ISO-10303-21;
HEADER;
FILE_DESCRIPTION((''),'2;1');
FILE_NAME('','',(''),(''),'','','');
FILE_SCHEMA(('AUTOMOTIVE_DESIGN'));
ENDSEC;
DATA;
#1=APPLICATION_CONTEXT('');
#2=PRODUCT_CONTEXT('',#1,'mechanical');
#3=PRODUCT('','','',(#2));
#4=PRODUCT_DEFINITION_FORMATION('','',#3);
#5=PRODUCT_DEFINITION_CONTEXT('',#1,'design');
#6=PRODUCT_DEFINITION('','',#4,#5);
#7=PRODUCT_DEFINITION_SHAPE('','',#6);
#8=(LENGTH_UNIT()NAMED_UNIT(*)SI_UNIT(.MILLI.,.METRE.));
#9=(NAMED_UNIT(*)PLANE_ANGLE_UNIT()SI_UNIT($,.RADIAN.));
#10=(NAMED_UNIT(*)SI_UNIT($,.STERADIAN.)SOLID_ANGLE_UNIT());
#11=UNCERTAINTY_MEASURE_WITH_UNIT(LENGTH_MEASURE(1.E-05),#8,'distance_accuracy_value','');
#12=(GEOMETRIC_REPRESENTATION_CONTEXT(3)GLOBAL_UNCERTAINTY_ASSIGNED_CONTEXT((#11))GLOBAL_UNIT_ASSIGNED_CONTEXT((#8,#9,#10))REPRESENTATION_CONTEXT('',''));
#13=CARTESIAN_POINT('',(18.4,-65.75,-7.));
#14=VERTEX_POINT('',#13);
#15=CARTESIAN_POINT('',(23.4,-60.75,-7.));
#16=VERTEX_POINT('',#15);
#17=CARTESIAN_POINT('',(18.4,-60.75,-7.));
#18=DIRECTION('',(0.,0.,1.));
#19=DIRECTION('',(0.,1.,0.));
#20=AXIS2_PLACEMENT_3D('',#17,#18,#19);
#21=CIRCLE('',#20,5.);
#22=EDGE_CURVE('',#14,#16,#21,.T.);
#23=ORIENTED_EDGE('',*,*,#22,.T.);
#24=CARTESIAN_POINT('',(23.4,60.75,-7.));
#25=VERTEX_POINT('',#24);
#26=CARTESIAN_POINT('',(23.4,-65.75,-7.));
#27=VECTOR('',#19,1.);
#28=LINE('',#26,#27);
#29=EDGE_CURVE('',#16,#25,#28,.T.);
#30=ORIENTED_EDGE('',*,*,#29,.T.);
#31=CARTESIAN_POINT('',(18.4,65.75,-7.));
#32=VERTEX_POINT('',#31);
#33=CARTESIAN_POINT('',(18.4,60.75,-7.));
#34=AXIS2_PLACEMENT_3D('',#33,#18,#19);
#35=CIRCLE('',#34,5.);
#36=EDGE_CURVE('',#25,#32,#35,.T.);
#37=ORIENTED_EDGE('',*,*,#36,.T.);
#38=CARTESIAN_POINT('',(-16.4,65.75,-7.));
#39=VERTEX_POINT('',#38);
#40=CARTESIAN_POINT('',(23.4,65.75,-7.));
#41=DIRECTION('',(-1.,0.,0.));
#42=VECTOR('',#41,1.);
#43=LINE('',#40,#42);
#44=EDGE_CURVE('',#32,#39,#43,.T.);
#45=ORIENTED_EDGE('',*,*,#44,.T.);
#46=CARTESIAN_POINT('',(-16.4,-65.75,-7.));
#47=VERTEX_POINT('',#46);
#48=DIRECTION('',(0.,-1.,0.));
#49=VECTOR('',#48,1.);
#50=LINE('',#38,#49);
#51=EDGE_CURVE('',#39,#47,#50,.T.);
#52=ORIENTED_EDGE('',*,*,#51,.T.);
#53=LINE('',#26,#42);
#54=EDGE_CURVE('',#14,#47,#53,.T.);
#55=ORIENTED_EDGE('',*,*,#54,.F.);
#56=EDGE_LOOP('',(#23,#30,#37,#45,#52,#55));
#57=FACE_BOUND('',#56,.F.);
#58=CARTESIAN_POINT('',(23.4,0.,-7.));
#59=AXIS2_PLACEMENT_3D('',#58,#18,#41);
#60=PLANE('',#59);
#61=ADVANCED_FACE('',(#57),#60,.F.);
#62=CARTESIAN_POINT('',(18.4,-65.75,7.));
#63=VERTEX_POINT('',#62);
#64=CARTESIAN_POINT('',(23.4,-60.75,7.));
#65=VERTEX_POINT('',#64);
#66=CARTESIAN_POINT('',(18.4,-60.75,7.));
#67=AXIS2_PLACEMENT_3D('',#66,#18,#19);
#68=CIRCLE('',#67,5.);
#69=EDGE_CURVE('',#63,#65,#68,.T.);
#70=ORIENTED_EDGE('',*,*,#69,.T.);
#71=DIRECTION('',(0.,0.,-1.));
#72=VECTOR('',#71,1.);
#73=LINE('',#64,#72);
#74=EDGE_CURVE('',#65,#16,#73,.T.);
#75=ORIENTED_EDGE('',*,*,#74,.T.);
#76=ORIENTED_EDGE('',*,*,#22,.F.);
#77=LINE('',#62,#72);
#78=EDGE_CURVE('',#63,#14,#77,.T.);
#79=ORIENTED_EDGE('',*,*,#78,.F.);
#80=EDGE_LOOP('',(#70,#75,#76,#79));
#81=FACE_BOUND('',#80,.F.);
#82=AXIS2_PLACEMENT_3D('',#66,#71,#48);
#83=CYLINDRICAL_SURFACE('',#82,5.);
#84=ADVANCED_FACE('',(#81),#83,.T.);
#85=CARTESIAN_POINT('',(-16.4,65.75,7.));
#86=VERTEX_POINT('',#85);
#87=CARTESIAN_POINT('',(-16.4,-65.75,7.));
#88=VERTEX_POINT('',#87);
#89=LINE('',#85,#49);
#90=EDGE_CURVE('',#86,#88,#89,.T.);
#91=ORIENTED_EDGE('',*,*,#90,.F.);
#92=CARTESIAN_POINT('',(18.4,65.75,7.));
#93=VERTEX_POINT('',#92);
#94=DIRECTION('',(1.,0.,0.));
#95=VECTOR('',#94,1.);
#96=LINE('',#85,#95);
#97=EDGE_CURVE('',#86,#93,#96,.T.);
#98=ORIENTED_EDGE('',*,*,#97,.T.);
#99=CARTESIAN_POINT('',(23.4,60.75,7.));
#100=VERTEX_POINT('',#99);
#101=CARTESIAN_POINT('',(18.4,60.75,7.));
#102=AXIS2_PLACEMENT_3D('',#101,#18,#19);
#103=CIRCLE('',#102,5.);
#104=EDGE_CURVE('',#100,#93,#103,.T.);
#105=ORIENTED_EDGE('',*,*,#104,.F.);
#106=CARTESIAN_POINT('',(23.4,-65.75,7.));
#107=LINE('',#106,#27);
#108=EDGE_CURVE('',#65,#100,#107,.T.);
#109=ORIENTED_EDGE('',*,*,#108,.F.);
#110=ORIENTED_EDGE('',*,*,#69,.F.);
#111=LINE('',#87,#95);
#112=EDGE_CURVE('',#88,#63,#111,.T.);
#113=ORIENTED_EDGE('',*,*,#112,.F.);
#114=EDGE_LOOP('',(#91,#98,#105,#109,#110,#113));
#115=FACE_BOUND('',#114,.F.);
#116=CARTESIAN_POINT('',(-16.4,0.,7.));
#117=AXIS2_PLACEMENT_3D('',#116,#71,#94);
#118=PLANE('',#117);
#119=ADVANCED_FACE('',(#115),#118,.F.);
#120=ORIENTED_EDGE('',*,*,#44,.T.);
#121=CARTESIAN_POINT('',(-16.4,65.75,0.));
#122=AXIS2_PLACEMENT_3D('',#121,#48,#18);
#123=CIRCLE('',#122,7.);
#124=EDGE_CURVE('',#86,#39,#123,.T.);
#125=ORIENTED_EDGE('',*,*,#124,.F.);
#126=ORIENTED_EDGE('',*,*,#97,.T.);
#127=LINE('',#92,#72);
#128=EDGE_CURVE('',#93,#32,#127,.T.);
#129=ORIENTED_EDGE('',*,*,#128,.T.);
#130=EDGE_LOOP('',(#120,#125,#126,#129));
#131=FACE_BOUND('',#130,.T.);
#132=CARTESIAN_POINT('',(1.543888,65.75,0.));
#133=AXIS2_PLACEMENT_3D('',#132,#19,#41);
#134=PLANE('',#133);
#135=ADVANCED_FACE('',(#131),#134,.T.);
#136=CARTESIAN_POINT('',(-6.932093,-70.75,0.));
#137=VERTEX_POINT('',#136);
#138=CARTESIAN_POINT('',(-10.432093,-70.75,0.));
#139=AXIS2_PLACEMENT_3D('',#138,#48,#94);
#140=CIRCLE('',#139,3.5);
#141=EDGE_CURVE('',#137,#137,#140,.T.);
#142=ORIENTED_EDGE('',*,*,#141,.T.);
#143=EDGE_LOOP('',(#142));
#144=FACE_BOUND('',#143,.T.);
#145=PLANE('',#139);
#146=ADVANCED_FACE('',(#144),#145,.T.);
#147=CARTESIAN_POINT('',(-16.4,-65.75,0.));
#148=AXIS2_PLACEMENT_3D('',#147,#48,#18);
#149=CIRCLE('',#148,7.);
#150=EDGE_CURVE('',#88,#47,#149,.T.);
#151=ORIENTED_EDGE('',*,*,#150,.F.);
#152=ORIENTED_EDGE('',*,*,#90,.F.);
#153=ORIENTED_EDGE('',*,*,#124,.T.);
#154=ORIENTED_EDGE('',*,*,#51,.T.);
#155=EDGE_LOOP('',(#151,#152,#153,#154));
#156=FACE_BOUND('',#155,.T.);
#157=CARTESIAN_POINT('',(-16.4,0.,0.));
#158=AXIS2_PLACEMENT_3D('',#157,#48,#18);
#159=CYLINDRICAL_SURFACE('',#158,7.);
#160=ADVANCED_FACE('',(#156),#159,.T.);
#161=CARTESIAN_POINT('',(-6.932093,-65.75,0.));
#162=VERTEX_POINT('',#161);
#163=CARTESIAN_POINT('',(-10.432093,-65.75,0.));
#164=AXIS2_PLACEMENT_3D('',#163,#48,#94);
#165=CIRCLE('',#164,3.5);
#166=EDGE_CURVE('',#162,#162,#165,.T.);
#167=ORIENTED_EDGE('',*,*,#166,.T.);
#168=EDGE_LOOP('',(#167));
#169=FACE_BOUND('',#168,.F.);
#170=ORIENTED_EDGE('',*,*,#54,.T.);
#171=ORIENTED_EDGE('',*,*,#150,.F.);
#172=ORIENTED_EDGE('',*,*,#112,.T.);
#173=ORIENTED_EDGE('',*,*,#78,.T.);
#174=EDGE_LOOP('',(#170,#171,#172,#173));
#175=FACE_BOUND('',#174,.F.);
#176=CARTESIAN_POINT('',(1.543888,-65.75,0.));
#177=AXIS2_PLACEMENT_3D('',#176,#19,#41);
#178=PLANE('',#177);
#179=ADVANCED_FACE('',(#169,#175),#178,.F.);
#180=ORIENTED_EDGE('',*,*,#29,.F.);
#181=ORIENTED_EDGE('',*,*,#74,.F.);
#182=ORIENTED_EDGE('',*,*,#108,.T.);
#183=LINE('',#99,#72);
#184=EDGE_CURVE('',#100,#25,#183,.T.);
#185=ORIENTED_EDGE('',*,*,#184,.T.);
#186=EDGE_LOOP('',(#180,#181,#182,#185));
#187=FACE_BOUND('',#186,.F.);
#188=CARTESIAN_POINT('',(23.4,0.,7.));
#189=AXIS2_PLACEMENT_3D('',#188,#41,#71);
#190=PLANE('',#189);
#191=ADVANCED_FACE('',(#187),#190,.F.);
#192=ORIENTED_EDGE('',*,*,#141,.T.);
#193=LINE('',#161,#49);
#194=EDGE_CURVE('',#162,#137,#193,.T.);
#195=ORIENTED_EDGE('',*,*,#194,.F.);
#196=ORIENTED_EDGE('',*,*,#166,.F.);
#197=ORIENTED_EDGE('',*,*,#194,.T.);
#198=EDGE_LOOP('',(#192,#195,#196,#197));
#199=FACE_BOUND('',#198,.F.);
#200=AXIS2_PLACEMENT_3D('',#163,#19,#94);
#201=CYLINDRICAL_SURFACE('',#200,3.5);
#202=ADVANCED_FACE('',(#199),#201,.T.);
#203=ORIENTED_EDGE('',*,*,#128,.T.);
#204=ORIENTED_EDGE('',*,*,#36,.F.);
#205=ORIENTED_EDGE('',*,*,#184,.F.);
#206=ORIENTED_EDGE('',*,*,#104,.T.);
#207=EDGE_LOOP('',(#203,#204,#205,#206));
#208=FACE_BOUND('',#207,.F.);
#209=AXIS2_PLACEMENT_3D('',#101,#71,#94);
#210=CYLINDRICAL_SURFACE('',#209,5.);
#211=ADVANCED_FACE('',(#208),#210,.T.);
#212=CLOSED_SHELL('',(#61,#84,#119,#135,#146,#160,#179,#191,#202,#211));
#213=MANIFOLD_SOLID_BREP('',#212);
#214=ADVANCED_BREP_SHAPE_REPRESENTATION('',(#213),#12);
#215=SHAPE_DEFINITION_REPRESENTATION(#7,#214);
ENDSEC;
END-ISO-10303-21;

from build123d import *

# Parameters (mm, degrees)
PAD_DEPTH    = 65.75
FILLET_R     = 5
SKETCH001_R  = 3.5
PAD001_DEPTH = 5


with BuildPart() as part:
    # Sketch → Pad (new body, symmetric)
    with BuildSketch(Plane.XZ):
        with BuildLine():
            Line((-16.4, 7), (23.4, 7))
            Line((23.4, 7), (23.4, -7))
            Line((23.4, -7), (-16.4, -7))
            ThreePointArc((-16.4, 7), (-23.4, 0), (-16.4, -7))
        make_face()
    extrude(amount=PAD_DEPTH, both=True)

    # Fillet
    fillet_edges = [part.edges().sort_by_distance(p)[0] for p in [
        (23.4, -65.75, 0),
        (23.4, 65.75, 0),
    ]]
    fillet(fillet_edges, radius=FILLET_R)

    # Sketch001 (on Face6 of Fillet) → Pad001 (join)
    with BuildSketch(Plane.XZ.offset(65.75)):
        with Locations((-10.432093, 0)):
            Circle(SKETCH001_R)
    extrude(amount=PAD001_DEPTH)


solid = part.part
